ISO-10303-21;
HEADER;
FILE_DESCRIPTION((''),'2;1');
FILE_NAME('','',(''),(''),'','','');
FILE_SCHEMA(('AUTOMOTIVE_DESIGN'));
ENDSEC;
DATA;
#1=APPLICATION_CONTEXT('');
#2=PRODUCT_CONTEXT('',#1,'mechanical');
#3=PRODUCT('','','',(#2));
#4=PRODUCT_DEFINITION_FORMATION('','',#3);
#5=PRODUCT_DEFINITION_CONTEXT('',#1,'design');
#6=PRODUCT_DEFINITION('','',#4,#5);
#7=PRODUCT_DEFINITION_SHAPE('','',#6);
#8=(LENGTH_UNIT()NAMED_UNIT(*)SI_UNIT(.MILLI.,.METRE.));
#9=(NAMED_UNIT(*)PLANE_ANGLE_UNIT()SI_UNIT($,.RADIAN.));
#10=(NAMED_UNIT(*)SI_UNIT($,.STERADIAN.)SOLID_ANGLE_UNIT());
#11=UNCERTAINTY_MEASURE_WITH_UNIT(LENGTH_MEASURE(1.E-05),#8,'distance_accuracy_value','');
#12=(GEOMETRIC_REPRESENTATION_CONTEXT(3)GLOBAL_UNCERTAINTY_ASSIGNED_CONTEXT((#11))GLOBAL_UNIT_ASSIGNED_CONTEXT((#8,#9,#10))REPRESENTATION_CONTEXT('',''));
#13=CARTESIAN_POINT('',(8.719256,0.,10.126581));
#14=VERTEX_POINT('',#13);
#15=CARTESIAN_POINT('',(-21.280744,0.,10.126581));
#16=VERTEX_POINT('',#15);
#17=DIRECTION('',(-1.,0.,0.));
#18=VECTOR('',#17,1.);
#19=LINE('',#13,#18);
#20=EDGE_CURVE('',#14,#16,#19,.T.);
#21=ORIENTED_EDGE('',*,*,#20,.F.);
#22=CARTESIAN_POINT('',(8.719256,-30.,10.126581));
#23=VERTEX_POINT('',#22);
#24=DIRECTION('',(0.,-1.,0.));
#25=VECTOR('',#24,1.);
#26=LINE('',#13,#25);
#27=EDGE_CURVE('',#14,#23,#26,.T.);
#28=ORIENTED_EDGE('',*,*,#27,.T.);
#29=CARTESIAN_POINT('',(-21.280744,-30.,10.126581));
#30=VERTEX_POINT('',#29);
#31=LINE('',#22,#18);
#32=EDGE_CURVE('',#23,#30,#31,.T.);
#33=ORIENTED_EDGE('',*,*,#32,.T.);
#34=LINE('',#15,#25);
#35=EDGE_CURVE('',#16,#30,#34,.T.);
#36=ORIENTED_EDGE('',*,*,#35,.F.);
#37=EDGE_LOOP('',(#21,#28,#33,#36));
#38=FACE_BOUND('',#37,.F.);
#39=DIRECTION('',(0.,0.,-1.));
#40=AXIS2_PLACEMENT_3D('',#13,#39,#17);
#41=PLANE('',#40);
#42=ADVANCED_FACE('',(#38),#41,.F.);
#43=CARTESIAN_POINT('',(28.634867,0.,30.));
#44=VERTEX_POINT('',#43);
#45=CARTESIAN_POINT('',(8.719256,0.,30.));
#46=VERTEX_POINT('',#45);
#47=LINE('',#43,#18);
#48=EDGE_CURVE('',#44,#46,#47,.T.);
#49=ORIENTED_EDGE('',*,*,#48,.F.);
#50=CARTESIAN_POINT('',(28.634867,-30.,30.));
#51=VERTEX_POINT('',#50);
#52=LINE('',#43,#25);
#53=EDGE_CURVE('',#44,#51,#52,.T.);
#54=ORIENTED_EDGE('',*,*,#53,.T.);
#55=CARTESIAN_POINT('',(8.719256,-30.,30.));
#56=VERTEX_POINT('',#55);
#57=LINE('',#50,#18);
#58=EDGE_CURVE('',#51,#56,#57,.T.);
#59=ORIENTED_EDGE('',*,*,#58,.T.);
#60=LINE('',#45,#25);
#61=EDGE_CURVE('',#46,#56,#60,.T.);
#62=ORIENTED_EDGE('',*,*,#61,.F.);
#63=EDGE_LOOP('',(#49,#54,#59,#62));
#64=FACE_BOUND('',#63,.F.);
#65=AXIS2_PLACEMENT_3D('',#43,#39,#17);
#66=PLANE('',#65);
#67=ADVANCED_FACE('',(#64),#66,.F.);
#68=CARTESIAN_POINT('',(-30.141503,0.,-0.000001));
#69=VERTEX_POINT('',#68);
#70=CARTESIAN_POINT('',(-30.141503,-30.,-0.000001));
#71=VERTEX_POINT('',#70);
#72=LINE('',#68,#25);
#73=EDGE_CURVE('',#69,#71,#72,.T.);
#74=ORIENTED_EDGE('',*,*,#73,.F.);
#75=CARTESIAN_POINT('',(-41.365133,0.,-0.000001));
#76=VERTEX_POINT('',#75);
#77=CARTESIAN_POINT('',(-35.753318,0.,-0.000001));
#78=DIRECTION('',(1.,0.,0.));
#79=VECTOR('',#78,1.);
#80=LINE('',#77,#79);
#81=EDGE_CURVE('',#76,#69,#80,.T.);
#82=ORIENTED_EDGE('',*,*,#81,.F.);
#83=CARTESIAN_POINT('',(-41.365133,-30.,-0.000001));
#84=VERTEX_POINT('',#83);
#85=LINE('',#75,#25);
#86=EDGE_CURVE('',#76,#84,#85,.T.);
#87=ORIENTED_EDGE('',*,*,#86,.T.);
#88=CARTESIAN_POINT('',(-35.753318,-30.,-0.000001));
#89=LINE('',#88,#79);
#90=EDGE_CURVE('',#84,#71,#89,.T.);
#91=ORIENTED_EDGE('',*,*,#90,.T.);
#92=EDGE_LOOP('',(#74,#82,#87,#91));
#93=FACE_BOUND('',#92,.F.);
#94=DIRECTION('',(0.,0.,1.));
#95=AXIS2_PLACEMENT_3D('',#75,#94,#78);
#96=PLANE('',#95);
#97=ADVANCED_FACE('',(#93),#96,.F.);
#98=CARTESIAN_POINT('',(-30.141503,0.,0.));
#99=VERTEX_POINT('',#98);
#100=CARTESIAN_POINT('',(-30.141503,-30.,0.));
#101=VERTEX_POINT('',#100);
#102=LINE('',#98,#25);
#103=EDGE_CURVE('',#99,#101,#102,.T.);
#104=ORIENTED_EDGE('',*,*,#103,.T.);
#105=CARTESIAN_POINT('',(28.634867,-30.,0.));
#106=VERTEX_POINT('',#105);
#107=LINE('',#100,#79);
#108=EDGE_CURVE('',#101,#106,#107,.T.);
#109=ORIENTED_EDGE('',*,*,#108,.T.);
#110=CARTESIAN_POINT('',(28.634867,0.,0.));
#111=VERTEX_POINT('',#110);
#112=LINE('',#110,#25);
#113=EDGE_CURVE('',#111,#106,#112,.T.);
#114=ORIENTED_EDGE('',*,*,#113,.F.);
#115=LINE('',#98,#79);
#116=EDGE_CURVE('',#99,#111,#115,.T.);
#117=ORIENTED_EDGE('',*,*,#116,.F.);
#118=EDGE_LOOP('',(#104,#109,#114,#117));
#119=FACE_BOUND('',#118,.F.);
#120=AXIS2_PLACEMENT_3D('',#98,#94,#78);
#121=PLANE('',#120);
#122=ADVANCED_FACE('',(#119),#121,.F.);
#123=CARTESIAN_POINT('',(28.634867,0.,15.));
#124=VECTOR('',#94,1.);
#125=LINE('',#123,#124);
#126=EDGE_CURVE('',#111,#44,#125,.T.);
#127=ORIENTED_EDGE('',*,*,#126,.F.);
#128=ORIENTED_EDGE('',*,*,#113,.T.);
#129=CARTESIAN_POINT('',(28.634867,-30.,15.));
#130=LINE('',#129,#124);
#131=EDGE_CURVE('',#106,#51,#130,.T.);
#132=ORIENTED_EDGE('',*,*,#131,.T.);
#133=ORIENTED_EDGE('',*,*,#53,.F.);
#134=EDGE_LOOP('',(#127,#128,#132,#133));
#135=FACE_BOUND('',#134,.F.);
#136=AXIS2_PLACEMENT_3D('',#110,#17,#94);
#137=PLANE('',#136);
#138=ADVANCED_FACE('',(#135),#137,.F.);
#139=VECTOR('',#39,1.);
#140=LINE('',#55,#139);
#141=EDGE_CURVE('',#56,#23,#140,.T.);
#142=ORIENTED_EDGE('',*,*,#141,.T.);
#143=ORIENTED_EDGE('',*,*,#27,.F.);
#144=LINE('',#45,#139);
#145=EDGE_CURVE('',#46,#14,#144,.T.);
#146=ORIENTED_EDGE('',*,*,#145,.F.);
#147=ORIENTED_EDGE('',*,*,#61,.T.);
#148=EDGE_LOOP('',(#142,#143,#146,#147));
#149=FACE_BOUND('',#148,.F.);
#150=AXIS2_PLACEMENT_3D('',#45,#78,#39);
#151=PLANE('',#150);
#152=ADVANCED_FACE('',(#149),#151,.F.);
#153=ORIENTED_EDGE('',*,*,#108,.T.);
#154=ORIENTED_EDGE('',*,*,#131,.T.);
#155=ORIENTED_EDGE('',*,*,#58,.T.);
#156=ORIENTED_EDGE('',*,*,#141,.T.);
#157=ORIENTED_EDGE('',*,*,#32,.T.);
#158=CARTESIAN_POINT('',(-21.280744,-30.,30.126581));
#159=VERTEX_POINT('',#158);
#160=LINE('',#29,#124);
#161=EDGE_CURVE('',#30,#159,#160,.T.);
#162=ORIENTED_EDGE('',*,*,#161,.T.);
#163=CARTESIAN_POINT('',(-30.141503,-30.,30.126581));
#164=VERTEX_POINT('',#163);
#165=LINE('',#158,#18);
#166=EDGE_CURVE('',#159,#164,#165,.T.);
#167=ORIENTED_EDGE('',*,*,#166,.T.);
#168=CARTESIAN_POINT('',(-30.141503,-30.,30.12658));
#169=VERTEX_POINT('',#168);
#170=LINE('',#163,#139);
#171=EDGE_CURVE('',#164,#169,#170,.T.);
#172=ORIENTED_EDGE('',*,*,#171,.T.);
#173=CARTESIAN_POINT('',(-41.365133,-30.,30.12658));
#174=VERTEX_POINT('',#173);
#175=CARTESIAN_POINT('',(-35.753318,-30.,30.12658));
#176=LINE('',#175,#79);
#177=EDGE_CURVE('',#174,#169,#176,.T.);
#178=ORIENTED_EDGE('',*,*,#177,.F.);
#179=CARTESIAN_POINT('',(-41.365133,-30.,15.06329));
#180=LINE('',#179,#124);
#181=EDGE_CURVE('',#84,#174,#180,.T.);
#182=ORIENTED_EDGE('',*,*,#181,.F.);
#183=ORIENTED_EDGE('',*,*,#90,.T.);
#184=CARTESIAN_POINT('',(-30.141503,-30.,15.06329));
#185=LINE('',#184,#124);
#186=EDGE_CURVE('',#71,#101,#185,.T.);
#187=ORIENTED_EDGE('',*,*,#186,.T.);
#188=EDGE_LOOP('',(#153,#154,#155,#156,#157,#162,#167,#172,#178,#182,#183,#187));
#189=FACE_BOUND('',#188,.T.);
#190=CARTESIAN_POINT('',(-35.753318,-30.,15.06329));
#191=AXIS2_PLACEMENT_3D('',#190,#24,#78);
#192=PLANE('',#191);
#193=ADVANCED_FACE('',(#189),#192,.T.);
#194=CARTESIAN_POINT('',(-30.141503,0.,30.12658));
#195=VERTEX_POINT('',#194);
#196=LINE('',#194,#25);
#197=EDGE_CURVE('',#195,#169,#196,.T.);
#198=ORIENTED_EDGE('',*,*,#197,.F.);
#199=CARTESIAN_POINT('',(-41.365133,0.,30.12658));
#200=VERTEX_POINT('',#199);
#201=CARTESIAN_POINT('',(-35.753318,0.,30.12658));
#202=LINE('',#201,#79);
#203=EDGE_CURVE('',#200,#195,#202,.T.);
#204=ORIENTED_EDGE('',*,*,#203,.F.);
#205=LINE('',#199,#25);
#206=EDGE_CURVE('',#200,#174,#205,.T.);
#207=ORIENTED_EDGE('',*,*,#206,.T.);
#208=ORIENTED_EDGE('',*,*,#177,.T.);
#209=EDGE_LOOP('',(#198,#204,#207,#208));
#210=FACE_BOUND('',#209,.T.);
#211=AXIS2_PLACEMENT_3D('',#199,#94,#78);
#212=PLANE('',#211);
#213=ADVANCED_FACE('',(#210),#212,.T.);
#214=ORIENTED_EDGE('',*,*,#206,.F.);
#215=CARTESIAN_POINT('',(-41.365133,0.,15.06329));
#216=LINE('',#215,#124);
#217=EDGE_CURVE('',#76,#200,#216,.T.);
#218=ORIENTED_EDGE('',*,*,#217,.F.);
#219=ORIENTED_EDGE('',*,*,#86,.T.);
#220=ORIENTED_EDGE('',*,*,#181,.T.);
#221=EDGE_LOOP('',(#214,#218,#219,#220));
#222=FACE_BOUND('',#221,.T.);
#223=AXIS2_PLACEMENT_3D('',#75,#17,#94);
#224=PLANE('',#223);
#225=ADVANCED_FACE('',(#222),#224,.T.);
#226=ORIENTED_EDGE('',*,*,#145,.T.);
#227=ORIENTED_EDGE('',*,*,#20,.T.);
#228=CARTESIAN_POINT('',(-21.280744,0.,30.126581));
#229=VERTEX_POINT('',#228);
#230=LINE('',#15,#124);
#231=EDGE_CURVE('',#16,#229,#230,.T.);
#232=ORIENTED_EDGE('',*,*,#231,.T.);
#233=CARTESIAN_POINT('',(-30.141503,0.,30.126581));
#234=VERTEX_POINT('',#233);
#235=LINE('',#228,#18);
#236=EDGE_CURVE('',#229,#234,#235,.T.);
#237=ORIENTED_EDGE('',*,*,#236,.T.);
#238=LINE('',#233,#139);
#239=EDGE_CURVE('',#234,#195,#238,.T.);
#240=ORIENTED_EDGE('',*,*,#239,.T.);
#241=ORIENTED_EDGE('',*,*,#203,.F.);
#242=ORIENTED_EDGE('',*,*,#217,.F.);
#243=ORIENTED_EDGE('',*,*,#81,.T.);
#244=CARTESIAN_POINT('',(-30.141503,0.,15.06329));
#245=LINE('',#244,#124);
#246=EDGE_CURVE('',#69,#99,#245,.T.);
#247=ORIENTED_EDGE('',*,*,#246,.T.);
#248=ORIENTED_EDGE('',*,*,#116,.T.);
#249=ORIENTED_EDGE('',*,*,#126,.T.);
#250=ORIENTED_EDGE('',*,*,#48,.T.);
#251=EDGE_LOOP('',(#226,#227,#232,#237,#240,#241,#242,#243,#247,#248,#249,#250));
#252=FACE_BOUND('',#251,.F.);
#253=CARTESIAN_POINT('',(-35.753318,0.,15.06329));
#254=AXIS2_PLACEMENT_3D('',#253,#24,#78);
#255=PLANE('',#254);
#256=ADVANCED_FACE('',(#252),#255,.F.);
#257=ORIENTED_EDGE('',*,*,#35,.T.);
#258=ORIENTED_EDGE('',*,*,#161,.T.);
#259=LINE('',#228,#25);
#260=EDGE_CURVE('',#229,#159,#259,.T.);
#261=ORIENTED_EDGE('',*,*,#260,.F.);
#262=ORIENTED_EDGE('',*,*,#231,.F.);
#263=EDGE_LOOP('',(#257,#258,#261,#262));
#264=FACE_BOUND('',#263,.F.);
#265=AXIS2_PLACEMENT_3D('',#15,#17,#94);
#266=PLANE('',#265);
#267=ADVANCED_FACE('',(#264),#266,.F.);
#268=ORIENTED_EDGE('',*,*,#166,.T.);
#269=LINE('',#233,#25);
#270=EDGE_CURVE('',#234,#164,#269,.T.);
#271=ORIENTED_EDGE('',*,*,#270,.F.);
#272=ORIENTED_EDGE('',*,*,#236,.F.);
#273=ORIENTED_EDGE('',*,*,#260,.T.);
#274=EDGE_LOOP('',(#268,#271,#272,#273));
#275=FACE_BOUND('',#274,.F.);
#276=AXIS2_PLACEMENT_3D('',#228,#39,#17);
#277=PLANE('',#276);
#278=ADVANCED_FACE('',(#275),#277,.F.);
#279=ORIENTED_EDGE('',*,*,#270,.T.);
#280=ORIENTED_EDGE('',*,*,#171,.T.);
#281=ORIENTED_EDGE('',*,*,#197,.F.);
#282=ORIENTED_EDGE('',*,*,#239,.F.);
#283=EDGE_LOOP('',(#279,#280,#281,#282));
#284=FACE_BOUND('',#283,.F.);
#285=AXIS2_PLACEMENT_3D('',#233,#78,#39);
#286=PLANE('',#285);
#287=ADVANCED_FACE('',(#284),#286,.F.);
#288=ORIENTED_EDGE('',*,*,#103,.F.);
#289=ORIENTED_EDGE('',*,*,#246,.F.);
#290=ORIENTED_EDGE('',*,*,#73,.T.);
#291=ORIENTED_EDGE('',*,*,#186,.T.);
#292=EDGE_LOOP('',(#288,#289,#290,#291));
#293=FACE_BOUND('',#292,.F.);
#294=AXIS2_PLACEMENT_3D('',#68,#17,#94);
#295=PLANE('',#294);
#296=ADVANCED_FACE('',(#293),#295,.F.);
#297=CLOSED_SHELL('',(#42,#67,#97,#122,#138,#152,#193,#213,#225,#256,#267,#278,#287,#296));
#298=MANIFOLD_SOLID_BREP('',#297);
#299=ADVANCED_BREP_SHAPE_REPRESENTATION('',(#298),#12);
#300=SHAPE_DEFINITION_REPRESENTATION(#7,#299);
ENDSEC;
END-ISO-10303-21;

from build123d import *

# Parameters (mm, degrees)
F0_W     = 11.22363
F0_H     = 30.126581
F0_W_2   = 10.928267
F0_H_2   = 30
F1_DEPTH = 30


with BuildPart() as f1:
    # F0 (on Front) → F1 (new body)
    with BuildSketch(Plane.XZ):
        with Locations((-35.753318, 15.06329)):
            Rectangle(F0_W, F0_H)
        with Locations((23.170733, 15)):
            Rectangle(F0_W_2, F0_H_2)
        Polygon((-30.141503, 30.126581), (-30.141503, 0), (17.7066, 0), (17.7066, 30), (8.719256, 30), (8.719256, 10.126581), (-21.280744, 10.126581), (-21.280744, 30.126581), align=None)
    extrude(amount=F1_DEPTH)


solid = f1.part
